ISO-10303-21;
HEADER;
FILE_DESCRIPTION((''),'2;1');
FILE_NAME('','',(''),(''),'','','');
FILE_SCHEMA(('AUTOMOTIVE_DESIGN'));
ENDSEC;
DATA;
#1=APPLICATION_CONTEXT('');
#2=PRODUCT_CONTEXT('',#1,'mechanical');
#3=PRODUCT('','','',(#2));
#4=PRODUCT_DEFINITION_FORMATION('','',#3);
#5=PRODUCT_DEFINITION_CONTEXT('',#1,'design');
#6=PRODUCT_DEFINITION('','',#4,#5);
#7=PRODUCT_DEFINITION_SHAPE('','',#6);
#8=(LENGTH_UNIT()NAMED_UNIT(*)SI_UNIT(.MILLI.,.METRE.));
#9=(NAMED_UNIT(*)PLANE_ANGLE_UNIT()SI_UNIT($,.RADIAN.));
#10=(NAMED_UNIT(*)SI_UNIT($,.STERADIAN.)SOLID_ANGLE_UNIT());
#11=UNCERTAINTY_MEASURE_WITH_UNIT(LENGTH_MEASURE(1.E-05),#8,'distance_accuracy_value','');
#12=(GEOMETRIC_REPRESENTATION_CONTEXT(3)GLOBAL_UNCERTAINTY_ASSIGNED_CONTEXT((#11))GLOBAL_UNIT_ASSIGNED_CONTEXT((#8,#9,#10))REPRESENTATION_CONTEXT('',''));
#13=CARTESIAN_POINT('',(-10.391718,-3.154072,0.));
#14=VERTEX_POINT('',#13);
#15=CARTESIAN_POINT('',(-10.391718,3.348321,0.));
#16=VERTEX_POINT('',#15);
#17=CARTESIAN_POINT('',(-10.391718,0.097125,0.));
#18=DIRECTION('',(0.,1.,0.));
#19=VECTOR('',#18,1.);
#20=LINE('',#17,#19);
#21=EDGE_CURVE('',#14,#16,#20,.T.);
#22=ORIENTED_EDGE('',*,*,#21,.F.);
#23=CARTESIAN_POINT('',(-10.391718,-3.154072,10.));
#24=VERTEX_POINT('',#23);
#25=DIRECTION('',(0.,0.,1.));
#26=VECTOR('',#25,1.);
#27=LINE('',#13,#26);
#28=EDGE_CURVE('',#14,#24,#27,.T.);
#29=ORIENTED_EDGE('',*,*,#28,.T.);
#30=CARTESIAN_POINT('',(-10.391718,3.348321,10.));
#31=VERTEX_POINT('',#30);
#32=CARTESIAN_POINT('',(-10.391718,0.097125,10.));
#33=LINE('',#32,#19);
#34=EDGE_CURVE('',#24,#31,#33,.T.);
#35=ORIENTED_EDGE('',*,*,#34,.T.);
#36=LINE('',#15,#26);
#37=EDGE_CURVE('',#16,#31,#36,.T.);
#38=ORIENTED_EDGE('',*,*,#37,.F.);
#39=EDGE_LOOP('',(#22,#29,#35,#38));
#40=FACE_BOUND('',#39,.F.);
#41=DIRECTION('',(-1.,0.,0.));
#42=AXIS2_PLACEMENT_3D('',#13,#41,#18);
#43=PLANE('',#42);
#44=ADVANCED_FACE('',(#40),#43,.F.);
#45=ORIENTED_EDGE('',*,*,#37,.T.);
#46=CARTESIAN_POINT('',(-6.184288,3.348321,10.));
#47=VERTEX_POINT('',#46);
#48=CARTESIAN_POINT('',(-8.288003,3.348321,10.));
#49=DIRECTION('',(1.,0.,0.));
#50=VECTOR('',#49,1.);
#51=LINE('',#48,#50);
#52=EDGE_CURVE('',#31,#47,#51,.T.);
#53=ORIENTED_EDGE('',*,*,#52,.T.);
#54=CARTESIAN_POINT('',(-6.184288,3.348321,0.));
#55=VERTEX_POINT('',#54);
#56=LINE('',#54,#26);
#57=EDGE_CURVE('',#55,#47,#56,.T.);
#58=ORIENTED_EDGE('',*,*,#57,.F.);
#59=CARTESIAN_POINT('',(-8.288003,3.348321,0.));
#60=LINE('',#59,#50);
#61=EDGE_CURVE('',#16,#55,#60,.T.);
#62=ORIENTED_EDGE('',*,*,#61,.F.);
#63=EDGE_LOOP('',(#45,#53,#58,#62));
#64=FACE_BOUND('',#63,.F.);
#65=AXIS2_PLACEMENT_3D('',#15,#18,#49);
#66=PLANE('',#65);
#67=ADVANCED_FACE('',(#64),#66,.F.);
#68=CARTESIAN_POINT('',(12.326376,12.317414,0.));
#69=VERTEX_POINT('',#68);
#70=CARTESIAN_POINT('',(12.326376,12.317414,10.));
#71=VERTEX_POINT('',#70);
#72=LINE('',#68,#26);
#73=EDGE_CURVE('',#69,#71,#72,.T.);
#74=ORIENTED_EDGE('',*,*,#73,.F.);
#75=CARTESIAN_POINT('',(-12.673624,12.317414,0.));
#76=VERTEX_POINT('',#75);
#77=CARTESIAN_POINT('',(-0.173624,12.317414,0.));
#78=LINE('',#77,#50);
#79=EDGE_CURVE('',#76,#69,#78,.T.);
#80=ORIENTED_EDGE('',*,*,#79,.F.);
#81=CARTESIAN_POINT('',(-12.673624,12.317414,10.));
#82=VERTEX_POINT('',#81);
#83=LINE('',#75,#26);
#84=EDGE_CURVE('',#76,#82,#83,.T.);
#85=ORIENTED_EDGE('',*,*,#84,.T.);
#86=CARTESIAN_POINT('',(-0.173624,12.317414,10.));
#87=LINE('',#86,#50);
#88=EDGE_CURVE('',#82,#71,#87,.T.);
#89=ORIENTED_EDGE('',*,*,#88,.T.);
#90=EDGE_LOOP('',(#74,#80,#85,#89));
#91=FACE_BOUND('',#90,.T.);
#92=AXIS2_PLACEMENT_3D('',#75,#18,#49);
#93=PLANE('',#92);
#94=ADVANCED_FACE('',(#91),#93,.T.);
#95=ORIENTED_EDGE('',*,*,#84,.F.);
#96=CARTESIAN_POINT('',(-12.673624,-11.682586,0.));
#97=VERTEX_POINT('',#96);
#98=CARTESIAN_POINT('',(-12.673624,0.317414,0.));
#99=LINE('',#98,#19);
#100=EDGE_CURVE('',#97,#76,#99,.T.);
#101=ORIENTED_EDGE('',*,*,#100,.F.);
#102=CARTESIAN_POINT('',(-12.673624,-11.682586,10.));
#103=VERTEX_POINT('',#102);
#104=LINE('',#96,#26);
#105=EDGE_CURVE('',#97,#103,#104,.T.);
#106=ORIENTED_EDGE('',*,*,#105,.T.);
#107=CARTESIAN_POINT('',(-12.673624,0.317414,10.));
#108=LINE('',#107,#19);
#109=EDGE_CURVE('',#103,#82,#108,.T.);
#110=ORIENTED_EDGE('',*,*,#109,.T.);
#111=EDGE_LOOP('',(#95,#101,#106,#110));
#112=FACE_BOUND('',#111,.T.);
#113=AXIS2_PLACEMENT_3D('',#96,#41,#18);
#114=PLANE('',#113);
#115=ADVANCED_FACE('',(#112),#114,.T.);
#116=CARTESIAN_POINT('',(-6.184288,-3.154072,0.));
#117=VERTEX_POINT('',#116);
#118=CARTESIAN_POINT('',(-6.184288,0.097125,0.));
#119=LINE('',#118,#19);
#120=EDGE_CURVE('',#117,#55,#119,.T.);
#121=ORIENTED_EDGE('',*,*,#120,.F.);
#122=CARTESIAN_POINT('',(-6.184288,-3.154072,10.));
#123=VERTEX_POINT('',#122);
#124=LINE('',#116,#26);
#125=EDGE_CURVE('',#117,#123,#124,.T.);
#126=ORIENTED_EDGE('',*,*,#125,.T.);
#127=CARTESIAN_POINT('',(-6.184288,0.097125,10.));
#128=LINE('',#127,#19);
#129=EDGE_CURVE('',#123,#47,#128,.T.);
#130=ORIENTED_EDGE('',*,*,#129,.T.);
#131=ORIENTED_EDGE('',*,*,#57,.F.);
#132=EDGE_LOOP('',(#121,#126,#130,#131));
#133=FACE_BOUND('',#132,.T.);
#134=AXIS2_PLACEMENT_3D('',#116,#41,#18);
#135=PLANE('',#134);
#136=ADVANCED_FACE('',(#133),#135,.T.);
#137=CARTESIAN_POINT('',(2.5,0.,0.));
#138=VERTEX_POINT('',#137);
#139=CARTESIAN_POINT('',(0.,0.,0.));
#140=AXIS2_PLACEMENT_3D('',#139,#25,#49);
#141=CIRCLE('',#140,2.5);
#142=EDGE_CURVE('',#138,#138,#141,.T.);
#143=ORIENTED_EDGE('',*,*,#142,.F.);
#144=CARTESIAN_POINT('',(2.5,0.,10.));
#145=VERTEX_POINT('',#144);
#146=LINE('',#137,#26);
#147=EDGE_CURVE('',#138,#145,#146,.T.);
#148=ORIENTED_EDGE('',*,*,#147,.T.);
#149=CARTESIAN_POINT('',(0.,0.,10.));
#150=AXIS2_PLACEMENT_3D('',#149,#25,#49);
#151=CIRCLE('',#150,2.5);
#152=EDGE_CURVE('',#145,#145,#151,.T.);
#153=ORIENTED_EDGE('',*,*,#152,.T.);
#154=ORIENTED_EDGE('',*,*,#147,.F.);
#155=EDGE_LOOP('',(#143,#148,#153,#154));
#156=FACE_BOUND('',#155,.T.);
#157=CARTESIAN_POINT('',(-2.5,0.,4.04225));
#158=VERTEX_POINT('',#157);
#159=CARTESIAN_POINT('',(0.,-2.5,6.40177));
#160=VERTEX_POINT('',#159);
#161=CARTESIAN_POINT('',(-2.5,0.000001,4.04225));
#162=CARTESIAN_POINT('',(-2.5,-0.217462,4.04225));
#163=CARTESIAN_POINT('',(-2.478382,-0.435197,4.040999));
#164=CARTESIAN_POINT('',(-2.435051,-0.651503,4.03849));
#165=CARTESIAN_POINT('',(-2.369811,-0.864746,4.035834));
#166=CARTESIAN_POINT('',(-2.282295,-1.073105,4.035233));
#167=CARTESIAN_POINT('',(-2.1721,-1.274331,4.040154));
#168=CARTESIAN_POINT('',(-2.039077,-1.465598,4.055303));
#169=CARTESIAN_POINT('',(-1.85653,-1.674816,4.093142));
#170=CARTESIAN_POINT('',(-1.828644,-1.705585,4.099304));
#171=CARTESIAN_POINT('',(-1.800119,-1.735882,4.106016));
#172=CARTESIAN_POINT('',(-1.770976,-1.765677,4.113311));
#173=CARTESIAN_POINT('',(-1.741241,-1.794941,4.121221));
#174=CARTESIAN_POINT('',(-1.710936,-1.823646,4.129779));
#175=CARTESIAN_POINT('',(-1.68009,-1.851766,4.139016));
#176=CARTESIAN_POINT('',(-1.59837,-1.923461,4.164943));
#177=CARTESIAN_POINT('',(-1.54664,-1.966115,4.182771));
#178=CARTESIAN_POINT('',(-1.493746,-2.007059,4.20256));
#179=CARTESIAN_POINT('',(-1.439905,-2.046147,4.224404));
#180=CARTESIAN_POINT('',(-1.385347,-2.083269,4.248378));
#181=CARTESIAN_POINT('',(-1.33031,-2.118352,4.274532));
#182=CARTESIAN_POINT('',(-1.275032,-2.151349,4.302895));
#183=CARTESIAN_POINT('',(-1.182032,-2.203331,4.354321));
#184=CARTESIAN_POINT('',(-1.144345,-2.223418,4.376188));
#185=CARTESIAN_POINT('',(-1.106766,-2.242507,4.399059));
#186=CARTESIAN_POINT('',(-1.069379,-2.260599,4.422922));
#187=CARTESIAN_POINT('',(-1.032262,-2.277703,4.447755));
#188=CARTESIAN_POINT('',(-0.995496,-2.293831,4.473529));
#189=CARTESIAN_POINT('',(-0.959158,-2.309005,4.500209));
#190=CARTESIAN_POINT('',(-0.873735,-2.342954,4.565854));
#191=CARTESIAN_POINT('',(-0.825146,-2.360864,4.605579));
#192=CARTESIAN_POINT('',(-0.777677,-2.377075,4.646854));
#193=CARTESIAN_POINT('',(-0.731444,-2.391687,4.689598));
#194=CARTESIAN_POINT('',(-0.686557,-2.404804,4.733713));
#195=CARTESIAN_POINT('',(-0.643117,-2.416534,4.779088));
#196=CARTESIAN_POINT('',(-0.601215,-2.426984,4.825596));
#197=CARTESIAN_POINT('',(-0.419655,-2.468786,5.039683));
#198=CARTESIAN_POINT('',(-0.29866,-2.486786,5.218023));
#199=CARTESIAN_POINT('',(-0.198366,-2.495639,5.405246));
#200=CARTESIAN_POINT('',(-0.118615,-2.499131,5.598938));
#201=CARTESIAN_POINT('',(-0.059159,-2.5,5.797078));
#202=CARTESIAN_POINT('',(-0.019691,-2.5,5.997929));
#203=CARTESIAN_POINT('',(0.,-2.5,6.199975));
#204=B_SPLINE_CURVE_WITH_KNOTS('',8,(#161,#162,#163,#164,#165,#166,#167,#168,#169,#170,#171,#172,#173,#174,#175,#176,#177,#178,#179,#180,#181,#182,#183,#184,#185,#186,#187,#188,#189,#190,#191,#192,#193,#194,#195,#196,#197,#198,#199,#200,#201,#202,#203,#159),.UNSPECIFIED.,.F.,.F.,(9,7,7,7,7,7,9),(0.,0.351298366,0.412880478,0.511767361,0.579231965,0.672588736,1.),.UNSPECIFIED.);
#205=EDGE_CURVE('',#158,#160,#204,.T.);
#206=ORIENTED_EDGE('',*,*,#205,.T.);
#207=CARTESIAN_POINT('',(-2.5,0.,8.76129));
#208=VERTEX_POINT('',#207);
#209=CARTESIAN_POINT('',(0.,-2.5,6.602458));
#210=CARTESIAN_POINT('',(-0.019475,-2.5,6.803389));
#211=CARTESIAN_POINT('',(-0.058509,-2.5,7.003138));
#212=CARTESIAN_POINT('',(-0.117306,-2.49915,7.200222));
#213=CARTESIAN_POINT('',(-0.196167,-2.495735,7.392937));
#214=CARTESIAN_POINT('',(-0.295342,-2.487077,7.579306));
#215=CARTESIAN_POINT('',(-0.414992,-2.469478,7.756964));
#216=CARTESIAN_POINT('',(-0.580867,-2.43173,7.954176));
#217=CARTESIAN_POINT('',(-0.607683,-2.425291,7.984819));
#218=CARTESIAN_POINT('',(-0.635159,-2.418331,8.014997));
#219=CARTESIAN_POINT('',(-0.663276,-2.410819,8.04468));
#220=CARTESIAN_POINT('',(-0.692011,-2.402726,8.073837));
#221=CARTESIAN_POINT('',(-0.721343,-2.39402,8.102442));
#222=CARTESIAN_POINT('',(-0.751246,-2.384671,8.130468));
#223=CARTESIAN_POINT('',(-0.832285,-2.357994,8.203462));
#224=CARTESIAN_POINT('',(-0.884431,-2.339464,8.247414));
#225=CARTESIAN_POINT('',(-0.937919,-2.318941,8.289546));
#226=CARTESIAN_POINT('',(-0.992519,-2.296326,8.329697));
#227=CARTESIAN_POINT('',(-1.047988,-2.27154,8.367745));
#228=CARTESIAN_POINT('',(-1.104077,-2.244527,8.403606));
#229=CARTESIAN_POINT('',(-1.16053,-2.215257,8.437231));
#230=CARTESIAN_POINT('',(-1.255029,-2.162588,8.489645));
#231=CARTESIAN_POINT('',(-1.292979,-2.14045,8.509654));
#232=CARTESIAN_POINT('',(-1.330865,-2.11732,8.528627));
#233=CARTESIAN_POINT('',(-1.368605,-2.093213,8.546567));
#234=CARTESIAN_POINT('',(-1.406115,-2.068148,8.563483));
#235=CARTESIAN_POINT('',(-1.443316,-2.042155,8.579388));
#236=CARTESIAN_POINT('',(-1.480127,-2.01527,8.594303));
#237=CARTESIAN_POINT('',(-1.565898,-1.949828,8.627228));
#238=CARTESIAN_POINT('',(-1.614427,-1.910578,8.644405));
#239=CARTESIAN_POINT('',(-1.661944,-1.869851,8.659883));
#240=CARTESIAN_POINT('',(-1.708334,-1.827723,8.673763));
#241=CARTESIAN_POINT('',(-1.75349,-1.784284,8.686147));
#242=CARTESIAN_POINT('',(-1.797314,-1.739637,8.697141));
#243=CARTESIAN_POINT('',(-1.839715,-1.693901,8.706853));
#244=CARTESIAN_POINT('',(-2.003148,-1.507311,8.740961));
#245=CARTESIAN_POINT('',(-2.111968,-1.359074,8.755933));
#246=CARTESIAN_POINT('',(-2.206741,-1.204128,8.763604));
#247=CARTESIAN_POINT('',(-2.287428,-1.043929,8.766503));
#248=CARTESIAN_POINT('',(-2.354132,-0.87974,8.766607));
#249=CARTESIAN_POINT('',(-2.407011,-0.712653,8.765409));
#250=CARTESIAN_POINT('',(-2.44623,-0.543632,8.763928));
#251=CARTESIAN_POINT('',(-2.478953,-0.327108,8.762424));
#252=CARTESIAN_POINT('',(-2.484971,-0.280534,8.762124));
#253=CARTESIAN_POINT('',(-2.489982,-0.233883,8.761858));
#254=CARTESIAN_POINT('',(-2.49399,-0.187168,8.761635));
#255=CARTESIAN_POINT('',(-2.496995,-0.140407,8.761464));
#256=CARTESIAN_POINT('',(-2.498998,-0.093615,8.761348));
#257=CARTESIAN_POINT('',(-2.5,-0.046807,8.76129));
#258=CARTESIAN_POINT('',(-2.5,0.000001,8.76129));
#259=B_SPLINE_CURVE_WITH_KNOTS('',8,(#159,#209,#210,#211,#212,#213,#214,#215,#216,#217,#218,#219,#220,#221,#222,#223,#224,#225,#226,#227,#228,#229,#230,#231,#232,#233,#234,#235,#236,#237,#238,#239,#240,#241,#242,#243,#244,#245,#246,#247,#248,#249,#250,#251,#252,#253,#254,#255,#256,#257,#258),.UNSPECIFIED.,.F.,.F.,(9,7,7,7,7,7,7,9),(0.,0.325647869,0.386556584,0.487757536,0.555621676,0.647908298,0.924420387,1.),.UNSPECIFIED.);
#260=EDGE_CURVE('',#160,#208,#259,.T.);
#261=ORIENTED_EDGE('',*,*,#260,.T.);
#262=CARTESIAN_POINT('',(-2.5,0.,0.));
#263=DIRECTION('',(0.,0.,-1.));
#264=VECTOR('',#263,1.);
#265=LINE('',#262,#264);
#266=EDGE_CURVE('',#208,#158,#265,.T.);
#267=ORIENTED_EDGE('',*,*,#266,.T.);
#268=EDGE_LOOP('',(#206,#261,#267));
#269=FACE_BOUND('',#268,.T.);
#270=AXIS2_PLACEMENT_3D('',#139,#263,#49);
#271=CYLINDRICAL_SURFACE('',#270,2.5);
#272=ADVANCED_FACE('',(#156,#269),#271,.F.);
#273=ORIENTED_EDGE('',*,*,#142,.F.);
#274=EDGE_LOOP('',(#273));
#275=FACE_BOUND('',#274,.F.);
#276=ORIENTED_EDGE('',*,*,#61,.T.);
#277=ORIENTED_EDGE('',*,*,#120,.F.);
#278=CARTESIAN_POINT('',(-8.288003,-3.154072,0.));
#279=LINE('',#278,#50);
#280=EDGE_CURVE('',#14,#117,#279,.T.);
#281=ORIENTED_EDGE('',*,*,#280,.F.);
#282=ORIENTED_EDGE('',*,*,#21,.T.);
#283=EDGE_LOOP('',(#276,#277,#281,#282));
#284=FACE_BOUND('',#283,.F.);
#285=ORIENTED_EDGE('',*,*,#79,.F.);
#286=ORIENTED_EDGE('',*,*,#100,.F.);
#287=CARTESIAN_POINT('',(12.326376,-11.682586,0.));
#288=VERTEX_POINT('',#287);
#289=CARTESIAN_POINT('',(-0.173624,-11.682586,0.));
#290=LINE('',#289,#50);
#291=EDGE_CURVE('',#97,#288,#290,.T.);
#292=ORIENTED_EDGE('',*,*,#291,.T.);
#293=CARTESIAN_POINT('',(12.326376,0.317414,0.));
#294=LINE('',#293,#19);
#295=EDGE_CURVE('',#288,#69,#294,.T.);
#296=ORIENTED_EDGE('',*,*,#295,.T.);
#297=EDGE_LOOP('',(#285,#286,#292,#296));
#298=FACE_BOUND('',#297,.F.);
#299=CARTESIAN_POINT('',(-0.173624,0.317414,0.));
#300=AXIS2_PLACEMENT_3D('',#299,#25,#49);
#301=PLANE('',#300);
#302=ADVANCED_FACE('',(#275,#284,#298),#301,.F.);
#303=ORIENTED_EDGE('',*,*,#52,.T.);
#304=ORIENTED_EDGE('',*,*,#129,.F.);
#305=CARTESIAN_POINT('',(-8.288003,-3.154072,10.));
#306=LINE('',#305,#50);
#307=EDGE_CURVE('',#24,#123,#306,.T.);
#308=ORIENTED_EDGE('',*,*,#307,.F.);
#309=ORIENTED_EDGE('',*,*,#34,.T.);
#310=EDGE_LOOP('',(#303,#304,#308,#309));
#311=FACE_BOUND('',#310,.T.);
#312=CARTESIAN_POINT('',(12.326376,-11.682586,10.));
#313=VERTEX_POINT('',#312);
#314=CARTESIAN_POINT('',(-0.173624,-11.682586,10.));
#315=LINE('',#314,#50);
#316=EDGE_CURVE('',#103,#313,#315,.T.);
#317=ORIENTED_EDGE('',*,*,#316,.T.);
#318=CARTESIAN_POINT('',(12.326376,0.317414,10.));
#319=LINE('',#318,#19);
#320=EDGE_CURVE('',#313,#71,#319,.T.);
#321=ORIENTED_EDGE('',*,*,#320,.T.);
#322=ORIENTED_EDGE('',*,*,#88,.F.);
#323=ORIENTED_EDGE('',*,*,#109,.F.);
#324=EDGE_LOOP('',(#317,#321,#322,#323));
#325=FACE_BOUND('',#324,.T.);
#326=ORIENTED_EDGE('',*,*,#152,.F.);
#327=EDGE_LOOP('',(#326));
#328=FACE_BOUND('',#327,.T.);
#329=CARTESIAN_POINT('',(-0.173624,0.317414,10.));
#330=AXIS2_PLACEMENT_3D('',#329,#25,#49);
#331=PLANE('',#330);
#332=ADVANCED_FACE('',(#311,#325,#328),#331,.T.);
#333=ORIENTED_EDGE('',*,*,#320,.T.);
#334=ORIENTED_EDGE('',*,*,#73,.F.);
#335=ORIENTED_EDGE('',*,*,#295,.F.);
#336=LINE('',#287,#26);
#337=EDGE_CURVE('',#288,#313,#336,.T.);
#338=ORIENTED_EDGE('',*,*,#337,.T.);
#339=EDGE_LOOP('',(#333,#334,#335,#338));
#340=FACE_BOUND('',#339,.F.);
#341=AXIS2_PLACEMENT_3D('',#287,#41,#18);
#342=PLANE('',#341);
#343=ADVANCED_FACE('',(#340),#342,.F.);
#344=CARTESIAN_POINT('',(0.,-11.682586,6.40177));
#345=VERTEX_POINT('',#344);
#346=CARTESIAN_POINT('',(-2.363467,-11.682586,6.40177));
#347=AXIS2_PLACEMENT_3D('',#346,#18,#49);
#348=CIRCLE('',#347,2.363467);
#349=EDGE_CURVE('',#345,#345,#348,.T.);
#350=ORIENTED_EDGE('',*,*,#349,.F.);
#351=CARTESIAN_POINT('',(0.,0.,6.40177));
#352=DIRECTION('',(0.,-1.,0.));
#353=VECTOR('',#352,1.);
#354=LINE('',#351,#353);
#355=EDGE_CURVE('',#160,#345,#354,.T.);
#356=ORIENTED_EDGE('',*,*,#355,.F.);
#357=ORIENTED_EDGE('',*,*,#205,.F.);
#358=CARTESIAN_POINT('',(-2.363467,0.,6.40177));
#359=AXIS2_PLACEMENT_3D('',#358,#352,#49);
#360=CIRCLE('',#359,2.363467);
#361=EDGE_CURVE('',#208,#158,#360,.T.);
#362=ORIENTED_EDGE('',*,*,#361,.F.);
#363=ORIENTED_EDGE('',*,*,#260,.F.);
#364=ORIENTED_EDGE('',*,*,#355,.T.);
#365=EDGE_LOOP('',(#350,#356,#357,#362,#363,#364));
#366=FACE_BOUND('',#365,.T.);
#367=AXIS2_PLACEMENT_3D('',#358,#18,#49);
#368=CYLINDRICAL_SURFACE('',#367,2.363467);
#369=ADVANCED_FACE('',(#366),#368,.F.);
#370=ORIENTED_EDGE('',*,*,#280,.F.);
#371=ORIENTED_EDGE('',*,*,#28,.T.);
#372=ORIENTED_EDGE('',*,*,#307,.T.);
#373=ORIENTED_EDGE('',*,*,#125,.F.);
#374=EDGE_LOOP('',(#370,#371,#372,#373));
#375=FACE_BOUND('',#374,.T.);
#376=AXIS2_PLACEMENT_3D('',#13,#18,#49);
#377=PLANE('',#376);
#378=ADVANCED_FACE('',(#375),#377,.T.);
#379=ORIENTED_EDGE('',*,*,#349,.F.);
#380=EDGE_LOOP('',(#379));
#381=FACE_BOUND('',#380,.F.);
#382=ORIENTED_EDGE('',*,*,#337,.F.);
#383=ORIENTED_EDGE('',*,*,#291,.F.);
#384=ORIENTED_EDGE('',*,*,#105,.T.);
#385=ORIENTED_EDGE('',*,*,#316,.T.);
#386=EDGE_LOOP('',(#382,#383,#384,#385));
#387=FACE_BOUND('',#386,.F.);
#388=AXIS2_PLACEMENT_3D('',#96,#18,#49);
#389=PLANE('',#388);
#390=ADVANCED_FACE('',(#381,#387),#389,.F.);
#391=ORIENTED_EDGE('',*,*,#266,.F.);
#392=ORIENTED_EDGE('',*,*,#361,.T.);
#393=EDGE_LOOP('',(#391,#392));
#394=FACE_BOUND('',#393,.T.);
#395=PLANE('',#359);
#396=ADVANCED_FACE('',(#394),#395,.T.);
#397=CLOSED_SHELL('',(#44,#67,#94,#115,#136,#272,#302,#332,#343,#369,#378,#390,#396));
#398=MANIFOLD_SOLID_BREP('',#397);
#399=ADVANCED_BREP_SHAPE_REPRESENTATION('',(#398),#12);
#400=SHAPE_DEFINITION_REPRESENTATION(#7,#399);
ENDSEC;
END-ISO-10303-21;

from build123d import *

# Parameters (mm, degrees)
SKETCH001_R      = 2.363467
EXTRUDE001_DEPTH = 12.5
SKETCH_W         = 25
SKETCH_H         = 24
SKETCH_R         = 2.5
SKETCH_W_2       = 4.20743
SKETCH_H_2       = 6.502393
EXTRUDE_DEPTH    = 10


with BuildPart() as extrude001:
    # Sketch001 (on Extrude) → Extrude001 (new body)
    with BuildSketch(Plane.XZ):
        with Locations((-2.363467, 6.40177)):
            Circle(SKETCH001_R)
    extrude(amount=EXTRUDE001_DEPTH)


with BuildPart() as cut:
    # Sketch → Extrude (new body)
    with BuildSketch(Plane.XY):
        with Locations((-0.173624, 0.317414)):
            Rectangle(SKETCH_W, SKETCH_H)
        Circle(SKETCH_R, mode=Mode.SUBTRACT)
        with Locations((-8.288003, 0.097125)):
            Rectangle(SKETCH_W_2, SKETCH_H_2, mode=Mode.SUBTRACT)
    extrude(amount=EXTRUDE_DEPTH)

    # Cut: cut Extrude001
    add(extrude001.part, mode=Mode.SUBTRACT)


solid = cut.part
